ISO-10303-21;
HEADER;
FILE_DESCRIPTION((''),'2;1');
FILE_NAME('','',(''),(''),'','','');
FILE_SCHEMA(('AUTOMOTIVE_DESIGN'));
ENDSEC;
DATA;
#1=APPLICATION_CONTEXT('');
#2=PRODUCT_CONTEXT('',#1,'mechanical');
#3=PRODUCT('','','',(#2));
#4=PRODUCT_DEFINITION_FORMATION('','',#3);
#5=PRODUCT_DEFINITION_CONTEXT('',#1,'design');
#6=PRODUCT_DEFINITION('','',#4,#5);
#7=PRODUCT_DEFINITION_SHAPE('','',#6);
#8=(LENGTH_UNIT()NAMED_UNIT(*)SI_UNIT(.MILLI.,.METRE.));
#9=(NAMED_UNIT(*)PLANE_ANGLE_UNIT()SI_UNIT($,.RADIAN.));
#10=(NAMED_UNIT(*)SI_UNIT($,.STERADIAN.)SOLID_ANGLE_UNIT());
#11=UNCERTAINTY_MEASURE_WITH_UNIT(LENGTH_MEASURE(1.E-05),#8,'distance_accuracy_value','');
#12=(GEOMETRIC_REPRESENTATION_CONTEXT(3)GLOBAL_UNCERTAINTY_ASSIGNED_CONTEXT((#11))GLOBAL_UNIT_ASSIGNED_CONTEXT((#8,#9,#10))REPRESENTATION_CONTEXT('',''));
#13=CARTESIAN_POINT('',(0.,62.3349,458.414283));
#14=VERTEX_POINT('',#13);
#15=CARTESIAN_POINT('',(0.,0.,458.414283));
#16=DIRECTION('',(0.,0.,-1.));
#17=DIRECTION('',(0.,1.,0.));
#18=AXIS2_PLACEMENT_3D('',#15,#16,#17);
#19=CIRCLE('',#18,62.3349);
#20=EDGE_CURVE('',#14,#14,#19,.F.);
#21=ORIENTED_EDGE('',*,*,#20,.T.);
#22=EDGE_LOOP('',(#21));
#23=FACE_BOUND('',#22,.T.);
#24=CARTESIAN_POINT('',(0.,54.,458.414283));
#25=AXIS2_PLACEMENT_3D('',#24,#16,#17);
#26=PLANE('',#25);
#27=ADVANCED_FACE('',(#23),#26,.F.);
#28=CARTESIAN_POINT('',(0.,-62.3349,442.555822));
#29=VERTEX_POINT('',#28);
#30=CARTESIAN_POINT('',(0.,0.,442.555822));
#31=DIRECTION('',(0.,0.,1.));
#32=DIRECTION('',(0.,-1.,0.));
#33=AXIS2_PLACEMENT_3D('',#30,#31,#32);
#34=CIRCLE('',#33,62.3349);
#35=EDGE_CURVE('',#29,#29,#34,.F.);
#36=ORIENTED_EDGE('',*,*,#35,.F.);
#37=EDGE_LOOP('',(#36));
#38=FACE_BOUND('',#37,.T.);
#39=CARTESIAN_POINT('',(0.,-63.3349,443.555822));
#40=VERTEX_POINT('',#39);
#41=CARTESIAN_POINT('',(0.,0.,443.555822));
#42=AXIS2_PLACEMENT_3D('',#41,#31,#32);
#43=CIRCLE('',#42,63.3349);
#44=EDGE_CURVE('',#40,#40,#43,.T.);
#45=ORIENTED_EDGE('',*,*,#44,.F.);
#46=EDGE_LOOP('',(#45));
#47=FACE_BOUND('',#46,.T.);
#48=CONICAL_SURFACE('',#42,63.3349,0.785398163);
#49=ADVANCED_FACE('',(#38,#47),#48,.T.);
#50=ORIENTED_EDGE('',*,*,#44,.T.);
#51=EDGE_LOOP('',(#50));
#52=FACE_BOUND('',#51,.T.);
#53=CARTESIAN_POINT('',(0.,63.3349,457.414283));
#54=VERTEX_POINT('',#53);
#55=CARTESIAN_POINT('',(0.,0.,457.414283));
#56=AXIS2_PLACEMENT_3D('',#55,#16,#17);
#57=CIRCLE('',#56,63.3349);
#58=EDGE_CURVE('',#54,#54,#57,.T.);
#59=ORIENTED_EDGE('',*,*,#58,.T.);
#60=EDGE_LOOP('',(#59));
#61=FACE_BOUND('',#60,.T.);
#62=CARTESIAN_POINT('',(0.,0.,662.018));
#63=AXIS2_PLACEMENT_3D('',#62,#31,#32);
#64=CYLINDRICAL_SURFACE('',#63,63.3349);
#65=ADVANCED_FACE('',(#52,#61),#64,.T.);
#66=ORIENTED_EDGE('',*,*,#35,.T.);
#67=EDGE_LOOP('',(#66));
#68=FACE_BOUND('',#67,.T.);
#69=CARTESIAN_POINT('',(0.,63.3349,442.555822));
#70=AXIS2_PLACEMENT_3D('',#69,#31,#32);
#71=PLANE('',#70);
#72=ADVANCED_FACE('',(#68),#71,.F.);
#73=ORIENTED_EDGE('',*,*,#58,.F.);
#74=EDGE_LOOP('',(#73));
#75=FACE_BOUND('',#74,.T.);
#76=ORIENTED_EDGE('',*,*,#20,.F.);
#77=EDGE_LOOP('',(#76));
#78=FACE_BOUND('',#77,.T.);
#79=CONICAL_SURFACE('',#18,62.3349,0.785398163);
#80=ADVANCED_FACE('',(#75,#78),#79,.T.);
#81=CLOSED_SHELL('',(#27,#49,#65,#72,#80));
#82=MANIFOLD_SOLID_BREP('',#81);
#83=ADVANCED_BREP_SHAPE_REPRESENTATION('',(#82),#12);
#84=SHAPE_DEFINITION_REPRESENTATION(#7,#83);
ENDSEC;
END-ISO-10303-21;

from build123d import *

# Parameters (mm, degrees)
CHAMFER1_SIZE       = 1
SKETCH2_R           = 54
BOSS_EXTRUDE1_DEPTH = 15.858462


with BuildPart() as part:
    # Sketch1 → Revolve3 (revolve)
    with BuildSketch(Plane(origin=(0, 0, 0), x_dir=(0, 0, -1), z_dir=(1, 0, 0))):
        with BuildLine():
            Line((-458.414283312, 54), (-458.414283312, 63.3349))
            Line((-458.414283312, 63.3349), (-442.555821638, 63.3349))
            Line((-442.555821638, 63.3349), (-442.555821638, 54))
            ThreePointArc((-442.555821638, 54), (-443.54515622, 27.008055426), (-443.875, 0))
            Line((-443.875, 0), (-451.375, 0))
            ThreePointArc((-451.375, 0), (-453.142234121, 27.228438761), (-458.414283312, 54))
        make_face()
    revolve(axis=Axis((0, 0, 662.018), (0, 0, -1)))

    # Chamfer1
    chamfer1_edges = [part.edges().sort_by_distance(p)[0] for p in [
        (0, -63.3349, 442.555821638),
        (0, -63.3349, 458.414283312),
    ]]
    chamfer(chamfer1_edges, length=CHAMFER1_SIZE)

    # Sketch2 → Boss-Extrude1 (add)
    with BuildSketch(Plane.XY.offset(458.414283312)):
        Circle(SKETCH2_R)
    extrude(amount=-BOSS_EXTRUDE1_DEPTH)


solid = part.part
